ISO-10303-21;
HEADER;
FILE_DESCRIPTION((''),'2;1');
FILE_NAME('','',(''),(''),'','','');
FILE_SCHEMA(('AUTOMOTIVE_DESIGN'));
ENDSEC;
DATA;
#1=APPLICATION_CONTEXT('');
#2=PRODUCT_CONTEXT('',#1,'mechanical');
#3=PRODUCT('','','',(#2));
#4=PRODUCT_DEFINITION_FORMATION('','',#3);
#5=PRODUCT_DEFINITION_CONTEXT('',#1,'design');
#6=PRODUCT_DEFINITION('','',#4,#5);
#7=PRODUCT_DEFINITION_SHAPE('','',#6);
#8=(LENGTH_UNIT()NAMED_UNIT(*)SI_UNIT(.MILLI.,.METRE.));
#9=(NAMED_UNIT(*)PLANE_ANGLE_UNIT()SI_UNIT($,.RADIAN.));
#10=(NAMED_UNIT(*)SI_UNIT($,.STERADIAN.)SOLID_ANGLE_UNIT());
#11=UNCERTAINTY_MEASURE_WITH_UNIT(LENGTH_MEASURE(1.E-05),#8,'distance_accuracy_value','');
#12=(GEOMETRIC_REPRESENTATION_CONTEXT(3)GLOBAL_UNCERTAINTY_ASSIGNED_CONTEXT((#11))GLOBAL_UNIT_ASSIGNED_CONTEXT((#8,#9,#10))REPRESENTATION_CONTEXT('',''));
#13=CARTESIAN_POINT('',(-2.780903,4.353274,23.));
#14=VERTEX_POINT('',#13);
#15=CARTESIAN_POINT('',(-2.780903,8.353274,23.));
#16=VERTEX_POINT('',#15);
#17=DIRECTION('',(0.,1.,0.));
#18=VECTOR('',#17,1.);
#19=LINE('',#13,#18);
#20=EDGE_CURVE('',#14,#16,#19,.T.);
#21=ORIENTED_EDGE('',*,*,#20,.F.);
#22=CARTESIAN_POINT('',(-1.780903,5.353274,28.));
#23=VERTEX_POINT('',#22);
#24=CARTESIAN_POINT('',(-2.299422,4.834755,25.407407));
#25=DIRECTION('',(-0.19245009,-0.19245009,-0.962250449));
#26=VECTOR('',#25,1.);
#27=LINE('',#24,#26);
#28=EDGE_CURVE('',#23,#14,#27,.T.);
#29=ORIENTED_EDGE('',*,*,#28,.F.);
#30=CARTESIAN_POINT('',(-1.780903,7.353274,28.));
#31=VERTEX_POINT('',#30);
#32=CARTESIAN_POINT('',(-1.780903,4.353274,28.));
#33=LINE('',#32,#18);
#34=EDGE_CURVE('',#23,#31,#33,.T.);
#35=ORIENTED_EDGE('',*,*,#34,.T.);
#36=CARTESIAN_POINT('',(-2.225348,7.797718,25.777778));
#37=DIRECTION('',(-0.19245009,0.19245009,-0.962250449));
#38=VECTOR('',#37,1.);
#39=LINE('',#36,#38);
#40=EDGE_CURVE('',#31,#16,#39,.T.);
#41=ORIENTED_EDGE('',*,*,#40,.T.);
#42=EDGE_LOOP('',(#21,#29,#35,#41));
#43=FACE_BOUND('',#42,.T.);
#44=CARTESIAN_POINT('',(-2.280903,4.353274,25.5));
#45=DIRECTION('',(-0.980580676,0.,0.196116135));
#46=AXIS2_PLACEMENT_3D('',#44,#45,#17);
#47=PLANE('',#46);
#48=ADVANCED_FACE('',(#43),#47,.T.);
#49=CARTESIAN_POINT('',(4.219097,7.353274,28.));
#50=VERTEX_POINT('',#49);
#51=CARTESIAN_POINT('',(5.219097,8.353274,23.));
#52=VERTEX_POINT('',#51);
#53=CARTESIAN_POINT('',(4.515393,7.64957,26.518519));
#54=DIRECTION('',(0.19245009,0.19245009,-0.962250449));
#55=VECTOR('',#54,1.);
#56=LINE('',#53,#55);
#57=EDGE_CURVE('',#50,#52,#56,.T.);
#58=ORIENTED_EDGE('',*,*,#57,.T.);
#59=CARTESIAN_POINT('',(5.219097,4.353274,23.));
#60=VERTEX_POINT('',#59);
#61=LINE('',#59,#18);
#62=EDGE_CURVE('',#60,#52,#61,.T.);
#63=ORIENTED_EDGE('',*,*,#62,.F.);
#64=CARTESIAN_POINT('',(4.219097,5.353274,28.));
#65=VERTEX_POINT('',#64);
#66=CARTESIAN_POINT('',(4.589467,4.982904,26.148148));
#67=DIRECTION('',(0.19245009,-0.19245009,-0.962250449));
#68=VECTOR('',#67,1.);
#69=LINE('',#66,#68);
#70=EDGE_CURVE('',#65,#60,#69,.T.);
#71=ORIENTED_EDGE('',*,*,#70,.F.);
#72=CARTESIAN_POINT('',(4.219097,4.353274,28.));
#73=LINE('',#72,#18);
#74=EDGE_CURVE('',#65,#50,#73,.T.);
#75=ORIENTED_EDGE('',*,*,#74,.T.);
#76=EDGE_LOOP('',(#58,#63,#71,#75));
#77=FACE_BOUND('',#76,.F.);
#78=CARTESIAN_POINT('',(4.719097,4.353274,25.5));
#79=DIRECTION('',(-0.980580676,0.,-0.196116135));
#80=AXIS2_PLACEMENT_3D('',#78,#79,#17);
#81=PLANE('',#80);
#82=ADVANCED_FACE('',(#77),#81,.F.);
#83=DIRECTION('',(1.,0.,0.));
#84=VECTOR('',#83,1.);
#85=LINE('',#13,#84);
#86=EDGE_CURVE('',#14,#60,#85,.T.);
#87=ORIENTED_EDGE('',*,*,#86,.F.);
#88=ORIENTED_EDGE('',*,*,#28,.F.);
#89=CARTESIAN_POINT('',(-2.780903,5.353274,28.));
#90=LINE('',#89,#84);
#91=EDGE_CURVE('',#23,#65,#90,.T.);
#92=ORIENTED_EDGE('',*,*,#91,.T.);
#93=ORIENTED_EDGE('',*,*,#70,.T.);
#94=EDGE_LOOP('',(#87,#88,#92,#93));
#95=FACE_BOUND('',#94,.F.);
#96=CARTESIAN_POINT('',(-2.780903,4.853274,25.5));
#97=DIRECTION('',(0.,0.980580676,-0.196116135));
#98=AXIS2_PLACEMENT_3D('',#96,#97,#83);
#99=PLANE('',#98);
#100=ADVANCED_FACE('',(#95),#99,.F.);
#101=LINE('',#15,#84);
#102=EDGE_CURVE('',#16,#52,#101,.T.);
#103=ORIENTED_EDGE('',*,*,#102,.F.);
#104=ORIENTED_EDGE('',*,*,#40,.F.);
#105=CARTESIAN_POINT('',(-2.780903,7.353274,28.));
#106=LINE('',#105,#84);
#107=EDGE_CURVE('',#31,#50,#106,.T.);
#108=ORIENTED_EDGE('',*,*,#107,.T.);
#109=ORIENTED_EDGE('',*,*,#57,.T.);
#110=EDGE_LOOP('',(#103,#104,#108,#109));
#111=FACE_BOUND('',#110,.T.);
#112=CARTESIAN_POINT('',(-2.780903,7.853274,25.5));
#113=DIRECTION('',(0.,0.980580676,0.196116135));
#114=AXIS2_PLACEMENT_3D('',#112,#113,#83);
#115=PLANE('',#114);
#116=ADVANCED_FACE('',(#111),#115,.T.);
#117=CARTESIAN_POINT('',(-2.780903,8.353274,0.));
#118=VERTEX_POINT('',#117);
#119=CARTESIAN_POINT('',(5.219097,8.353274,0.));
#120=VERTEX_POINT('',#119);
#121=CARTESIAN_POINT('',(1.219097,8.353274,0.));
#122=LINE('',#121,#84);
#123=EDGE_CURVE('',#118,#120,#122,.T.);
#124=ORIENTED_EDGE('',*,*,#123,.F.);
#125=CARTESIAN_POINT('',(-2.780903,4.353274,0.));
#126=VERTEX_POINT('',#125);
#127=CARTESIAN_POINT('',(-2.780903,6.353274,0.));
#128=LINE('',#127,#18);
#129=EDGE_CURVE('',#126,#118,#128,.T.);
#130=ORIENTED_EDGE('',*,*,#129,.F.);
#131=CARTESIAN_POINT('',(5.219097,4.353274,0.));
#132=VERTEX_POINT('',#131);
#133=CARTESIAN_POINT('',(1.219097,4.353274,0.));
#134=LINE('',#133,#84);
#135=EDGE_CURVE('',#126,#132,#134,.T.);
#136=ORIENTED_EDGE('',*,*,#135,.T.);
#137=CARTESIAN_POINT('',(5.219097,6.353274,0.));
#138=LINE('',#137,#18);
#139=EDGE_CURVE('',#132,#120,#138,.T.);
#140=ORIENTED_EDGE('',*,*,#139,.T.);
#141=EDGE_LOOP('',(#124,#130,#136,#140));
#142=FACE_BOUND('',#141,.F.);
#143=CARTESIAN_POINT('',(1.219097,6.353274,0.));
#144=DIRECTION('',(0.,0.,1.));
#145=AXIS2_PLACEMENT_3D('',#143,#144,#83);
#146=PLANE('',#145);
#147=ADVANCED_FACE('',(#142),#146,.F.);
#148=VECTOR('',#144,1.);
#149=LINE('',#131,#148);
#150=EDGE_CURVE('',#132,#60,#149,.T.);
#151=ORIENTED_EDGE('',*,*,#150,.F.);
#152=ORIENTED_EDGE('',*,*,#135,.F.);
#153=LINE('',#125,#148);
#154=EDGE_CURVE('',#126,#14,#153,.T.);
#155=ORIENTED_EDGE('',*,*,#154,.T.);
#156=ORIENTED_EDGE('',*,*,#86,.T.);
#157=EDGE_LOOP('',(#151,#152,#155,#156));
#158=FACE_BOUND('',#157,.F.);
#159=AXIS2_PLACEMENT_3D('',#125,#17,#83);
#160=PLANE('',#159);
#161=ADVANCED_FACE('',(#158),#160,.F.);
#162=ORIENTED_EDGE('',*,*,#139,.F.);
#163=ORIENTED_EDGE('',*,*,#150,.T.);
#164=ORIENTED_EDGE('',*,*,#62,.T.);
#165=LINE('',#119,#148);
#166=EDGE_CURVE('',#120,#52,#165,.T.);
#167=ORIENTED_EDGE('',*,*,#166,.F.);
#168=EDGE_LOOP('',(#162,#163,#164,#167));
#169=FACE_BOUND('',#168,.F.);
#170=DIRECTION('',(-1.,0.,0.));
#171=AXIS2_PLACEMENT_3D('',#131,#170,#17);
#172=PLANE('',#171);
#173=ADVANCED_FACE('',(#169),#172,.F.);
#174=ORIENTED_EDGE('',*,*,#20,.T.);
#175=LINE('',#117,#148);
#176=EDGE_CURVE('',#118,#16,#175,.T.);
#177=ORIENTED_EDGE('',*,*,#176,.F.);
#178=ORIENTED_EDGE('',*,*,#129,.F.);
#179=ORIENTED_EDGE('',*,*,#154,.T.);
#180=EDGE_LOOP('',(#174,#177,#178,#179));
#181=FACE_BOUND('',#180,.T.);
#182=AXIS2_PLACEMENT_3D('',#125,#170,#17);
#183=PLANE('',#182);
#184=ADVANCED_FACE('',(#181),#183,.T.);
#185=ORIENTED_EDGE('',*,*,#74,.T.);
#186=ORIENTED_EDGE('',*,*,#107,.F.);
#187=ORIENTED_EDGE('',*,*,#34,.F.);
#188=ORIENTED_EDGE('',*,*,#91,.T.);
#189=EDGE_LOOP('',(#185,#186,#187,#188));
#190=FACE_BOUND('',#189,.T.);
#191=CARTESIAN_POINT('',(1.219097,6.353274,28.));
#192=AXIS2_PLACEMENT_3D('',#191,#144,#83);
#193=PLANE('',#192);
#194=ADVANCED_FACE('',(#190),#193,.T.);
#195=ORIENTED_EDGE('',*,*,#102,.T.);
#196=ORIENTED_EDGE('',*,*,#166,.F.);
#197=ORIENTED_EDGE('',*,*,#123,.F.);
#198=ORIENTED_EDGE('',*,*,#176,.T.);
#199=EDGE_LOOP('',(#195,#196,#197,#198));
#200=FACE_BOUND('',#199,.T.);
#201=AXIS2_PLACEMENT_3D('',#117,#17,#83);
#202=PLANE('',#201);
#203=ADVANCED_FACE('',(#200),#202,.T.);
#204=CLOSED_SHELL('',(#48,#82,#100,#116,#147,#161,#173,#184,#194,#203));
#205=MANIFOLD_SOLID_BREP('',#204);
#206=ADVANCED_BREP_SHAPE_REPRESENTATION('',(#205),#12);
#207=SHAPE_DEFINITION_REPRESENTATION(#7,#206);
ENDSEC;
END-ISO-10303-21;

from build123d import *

# Parameters (mm, degrees)
F0_W     = 8
F0_H     = 4
F1_DEPTH = 28
F2_SIZE2 = 5
F2_SIZE  = 1


with BuildPart() as f1:
    # F0 (on Top) → F1 (new body)
    with BuildSketch(Plane.XY):
        with Locations((1.2190965936, 6.3532739603)):
            Rectangle(F0_W, F0_H)
    extrude(amount=F1_DEPTH)

    # F2
    f2_edges = [f1.edges().sort_by_distance(p)[0] for p in [
        (1.219097, 4.353274, 28),
        (1.219097, 8.353274, 28),
        (5.219097, 6.353274, 28),
        (-2.780903, 6.353274, 28),
    ]]
    f2_side = f1.faces().sort_by_distance((1.219097, 6.353274, 28))[0]
    chamfer(f2_edges, length=F2_SIZE, length2=F2_SIZE2, reference=f2_side)


solid = f1.part
